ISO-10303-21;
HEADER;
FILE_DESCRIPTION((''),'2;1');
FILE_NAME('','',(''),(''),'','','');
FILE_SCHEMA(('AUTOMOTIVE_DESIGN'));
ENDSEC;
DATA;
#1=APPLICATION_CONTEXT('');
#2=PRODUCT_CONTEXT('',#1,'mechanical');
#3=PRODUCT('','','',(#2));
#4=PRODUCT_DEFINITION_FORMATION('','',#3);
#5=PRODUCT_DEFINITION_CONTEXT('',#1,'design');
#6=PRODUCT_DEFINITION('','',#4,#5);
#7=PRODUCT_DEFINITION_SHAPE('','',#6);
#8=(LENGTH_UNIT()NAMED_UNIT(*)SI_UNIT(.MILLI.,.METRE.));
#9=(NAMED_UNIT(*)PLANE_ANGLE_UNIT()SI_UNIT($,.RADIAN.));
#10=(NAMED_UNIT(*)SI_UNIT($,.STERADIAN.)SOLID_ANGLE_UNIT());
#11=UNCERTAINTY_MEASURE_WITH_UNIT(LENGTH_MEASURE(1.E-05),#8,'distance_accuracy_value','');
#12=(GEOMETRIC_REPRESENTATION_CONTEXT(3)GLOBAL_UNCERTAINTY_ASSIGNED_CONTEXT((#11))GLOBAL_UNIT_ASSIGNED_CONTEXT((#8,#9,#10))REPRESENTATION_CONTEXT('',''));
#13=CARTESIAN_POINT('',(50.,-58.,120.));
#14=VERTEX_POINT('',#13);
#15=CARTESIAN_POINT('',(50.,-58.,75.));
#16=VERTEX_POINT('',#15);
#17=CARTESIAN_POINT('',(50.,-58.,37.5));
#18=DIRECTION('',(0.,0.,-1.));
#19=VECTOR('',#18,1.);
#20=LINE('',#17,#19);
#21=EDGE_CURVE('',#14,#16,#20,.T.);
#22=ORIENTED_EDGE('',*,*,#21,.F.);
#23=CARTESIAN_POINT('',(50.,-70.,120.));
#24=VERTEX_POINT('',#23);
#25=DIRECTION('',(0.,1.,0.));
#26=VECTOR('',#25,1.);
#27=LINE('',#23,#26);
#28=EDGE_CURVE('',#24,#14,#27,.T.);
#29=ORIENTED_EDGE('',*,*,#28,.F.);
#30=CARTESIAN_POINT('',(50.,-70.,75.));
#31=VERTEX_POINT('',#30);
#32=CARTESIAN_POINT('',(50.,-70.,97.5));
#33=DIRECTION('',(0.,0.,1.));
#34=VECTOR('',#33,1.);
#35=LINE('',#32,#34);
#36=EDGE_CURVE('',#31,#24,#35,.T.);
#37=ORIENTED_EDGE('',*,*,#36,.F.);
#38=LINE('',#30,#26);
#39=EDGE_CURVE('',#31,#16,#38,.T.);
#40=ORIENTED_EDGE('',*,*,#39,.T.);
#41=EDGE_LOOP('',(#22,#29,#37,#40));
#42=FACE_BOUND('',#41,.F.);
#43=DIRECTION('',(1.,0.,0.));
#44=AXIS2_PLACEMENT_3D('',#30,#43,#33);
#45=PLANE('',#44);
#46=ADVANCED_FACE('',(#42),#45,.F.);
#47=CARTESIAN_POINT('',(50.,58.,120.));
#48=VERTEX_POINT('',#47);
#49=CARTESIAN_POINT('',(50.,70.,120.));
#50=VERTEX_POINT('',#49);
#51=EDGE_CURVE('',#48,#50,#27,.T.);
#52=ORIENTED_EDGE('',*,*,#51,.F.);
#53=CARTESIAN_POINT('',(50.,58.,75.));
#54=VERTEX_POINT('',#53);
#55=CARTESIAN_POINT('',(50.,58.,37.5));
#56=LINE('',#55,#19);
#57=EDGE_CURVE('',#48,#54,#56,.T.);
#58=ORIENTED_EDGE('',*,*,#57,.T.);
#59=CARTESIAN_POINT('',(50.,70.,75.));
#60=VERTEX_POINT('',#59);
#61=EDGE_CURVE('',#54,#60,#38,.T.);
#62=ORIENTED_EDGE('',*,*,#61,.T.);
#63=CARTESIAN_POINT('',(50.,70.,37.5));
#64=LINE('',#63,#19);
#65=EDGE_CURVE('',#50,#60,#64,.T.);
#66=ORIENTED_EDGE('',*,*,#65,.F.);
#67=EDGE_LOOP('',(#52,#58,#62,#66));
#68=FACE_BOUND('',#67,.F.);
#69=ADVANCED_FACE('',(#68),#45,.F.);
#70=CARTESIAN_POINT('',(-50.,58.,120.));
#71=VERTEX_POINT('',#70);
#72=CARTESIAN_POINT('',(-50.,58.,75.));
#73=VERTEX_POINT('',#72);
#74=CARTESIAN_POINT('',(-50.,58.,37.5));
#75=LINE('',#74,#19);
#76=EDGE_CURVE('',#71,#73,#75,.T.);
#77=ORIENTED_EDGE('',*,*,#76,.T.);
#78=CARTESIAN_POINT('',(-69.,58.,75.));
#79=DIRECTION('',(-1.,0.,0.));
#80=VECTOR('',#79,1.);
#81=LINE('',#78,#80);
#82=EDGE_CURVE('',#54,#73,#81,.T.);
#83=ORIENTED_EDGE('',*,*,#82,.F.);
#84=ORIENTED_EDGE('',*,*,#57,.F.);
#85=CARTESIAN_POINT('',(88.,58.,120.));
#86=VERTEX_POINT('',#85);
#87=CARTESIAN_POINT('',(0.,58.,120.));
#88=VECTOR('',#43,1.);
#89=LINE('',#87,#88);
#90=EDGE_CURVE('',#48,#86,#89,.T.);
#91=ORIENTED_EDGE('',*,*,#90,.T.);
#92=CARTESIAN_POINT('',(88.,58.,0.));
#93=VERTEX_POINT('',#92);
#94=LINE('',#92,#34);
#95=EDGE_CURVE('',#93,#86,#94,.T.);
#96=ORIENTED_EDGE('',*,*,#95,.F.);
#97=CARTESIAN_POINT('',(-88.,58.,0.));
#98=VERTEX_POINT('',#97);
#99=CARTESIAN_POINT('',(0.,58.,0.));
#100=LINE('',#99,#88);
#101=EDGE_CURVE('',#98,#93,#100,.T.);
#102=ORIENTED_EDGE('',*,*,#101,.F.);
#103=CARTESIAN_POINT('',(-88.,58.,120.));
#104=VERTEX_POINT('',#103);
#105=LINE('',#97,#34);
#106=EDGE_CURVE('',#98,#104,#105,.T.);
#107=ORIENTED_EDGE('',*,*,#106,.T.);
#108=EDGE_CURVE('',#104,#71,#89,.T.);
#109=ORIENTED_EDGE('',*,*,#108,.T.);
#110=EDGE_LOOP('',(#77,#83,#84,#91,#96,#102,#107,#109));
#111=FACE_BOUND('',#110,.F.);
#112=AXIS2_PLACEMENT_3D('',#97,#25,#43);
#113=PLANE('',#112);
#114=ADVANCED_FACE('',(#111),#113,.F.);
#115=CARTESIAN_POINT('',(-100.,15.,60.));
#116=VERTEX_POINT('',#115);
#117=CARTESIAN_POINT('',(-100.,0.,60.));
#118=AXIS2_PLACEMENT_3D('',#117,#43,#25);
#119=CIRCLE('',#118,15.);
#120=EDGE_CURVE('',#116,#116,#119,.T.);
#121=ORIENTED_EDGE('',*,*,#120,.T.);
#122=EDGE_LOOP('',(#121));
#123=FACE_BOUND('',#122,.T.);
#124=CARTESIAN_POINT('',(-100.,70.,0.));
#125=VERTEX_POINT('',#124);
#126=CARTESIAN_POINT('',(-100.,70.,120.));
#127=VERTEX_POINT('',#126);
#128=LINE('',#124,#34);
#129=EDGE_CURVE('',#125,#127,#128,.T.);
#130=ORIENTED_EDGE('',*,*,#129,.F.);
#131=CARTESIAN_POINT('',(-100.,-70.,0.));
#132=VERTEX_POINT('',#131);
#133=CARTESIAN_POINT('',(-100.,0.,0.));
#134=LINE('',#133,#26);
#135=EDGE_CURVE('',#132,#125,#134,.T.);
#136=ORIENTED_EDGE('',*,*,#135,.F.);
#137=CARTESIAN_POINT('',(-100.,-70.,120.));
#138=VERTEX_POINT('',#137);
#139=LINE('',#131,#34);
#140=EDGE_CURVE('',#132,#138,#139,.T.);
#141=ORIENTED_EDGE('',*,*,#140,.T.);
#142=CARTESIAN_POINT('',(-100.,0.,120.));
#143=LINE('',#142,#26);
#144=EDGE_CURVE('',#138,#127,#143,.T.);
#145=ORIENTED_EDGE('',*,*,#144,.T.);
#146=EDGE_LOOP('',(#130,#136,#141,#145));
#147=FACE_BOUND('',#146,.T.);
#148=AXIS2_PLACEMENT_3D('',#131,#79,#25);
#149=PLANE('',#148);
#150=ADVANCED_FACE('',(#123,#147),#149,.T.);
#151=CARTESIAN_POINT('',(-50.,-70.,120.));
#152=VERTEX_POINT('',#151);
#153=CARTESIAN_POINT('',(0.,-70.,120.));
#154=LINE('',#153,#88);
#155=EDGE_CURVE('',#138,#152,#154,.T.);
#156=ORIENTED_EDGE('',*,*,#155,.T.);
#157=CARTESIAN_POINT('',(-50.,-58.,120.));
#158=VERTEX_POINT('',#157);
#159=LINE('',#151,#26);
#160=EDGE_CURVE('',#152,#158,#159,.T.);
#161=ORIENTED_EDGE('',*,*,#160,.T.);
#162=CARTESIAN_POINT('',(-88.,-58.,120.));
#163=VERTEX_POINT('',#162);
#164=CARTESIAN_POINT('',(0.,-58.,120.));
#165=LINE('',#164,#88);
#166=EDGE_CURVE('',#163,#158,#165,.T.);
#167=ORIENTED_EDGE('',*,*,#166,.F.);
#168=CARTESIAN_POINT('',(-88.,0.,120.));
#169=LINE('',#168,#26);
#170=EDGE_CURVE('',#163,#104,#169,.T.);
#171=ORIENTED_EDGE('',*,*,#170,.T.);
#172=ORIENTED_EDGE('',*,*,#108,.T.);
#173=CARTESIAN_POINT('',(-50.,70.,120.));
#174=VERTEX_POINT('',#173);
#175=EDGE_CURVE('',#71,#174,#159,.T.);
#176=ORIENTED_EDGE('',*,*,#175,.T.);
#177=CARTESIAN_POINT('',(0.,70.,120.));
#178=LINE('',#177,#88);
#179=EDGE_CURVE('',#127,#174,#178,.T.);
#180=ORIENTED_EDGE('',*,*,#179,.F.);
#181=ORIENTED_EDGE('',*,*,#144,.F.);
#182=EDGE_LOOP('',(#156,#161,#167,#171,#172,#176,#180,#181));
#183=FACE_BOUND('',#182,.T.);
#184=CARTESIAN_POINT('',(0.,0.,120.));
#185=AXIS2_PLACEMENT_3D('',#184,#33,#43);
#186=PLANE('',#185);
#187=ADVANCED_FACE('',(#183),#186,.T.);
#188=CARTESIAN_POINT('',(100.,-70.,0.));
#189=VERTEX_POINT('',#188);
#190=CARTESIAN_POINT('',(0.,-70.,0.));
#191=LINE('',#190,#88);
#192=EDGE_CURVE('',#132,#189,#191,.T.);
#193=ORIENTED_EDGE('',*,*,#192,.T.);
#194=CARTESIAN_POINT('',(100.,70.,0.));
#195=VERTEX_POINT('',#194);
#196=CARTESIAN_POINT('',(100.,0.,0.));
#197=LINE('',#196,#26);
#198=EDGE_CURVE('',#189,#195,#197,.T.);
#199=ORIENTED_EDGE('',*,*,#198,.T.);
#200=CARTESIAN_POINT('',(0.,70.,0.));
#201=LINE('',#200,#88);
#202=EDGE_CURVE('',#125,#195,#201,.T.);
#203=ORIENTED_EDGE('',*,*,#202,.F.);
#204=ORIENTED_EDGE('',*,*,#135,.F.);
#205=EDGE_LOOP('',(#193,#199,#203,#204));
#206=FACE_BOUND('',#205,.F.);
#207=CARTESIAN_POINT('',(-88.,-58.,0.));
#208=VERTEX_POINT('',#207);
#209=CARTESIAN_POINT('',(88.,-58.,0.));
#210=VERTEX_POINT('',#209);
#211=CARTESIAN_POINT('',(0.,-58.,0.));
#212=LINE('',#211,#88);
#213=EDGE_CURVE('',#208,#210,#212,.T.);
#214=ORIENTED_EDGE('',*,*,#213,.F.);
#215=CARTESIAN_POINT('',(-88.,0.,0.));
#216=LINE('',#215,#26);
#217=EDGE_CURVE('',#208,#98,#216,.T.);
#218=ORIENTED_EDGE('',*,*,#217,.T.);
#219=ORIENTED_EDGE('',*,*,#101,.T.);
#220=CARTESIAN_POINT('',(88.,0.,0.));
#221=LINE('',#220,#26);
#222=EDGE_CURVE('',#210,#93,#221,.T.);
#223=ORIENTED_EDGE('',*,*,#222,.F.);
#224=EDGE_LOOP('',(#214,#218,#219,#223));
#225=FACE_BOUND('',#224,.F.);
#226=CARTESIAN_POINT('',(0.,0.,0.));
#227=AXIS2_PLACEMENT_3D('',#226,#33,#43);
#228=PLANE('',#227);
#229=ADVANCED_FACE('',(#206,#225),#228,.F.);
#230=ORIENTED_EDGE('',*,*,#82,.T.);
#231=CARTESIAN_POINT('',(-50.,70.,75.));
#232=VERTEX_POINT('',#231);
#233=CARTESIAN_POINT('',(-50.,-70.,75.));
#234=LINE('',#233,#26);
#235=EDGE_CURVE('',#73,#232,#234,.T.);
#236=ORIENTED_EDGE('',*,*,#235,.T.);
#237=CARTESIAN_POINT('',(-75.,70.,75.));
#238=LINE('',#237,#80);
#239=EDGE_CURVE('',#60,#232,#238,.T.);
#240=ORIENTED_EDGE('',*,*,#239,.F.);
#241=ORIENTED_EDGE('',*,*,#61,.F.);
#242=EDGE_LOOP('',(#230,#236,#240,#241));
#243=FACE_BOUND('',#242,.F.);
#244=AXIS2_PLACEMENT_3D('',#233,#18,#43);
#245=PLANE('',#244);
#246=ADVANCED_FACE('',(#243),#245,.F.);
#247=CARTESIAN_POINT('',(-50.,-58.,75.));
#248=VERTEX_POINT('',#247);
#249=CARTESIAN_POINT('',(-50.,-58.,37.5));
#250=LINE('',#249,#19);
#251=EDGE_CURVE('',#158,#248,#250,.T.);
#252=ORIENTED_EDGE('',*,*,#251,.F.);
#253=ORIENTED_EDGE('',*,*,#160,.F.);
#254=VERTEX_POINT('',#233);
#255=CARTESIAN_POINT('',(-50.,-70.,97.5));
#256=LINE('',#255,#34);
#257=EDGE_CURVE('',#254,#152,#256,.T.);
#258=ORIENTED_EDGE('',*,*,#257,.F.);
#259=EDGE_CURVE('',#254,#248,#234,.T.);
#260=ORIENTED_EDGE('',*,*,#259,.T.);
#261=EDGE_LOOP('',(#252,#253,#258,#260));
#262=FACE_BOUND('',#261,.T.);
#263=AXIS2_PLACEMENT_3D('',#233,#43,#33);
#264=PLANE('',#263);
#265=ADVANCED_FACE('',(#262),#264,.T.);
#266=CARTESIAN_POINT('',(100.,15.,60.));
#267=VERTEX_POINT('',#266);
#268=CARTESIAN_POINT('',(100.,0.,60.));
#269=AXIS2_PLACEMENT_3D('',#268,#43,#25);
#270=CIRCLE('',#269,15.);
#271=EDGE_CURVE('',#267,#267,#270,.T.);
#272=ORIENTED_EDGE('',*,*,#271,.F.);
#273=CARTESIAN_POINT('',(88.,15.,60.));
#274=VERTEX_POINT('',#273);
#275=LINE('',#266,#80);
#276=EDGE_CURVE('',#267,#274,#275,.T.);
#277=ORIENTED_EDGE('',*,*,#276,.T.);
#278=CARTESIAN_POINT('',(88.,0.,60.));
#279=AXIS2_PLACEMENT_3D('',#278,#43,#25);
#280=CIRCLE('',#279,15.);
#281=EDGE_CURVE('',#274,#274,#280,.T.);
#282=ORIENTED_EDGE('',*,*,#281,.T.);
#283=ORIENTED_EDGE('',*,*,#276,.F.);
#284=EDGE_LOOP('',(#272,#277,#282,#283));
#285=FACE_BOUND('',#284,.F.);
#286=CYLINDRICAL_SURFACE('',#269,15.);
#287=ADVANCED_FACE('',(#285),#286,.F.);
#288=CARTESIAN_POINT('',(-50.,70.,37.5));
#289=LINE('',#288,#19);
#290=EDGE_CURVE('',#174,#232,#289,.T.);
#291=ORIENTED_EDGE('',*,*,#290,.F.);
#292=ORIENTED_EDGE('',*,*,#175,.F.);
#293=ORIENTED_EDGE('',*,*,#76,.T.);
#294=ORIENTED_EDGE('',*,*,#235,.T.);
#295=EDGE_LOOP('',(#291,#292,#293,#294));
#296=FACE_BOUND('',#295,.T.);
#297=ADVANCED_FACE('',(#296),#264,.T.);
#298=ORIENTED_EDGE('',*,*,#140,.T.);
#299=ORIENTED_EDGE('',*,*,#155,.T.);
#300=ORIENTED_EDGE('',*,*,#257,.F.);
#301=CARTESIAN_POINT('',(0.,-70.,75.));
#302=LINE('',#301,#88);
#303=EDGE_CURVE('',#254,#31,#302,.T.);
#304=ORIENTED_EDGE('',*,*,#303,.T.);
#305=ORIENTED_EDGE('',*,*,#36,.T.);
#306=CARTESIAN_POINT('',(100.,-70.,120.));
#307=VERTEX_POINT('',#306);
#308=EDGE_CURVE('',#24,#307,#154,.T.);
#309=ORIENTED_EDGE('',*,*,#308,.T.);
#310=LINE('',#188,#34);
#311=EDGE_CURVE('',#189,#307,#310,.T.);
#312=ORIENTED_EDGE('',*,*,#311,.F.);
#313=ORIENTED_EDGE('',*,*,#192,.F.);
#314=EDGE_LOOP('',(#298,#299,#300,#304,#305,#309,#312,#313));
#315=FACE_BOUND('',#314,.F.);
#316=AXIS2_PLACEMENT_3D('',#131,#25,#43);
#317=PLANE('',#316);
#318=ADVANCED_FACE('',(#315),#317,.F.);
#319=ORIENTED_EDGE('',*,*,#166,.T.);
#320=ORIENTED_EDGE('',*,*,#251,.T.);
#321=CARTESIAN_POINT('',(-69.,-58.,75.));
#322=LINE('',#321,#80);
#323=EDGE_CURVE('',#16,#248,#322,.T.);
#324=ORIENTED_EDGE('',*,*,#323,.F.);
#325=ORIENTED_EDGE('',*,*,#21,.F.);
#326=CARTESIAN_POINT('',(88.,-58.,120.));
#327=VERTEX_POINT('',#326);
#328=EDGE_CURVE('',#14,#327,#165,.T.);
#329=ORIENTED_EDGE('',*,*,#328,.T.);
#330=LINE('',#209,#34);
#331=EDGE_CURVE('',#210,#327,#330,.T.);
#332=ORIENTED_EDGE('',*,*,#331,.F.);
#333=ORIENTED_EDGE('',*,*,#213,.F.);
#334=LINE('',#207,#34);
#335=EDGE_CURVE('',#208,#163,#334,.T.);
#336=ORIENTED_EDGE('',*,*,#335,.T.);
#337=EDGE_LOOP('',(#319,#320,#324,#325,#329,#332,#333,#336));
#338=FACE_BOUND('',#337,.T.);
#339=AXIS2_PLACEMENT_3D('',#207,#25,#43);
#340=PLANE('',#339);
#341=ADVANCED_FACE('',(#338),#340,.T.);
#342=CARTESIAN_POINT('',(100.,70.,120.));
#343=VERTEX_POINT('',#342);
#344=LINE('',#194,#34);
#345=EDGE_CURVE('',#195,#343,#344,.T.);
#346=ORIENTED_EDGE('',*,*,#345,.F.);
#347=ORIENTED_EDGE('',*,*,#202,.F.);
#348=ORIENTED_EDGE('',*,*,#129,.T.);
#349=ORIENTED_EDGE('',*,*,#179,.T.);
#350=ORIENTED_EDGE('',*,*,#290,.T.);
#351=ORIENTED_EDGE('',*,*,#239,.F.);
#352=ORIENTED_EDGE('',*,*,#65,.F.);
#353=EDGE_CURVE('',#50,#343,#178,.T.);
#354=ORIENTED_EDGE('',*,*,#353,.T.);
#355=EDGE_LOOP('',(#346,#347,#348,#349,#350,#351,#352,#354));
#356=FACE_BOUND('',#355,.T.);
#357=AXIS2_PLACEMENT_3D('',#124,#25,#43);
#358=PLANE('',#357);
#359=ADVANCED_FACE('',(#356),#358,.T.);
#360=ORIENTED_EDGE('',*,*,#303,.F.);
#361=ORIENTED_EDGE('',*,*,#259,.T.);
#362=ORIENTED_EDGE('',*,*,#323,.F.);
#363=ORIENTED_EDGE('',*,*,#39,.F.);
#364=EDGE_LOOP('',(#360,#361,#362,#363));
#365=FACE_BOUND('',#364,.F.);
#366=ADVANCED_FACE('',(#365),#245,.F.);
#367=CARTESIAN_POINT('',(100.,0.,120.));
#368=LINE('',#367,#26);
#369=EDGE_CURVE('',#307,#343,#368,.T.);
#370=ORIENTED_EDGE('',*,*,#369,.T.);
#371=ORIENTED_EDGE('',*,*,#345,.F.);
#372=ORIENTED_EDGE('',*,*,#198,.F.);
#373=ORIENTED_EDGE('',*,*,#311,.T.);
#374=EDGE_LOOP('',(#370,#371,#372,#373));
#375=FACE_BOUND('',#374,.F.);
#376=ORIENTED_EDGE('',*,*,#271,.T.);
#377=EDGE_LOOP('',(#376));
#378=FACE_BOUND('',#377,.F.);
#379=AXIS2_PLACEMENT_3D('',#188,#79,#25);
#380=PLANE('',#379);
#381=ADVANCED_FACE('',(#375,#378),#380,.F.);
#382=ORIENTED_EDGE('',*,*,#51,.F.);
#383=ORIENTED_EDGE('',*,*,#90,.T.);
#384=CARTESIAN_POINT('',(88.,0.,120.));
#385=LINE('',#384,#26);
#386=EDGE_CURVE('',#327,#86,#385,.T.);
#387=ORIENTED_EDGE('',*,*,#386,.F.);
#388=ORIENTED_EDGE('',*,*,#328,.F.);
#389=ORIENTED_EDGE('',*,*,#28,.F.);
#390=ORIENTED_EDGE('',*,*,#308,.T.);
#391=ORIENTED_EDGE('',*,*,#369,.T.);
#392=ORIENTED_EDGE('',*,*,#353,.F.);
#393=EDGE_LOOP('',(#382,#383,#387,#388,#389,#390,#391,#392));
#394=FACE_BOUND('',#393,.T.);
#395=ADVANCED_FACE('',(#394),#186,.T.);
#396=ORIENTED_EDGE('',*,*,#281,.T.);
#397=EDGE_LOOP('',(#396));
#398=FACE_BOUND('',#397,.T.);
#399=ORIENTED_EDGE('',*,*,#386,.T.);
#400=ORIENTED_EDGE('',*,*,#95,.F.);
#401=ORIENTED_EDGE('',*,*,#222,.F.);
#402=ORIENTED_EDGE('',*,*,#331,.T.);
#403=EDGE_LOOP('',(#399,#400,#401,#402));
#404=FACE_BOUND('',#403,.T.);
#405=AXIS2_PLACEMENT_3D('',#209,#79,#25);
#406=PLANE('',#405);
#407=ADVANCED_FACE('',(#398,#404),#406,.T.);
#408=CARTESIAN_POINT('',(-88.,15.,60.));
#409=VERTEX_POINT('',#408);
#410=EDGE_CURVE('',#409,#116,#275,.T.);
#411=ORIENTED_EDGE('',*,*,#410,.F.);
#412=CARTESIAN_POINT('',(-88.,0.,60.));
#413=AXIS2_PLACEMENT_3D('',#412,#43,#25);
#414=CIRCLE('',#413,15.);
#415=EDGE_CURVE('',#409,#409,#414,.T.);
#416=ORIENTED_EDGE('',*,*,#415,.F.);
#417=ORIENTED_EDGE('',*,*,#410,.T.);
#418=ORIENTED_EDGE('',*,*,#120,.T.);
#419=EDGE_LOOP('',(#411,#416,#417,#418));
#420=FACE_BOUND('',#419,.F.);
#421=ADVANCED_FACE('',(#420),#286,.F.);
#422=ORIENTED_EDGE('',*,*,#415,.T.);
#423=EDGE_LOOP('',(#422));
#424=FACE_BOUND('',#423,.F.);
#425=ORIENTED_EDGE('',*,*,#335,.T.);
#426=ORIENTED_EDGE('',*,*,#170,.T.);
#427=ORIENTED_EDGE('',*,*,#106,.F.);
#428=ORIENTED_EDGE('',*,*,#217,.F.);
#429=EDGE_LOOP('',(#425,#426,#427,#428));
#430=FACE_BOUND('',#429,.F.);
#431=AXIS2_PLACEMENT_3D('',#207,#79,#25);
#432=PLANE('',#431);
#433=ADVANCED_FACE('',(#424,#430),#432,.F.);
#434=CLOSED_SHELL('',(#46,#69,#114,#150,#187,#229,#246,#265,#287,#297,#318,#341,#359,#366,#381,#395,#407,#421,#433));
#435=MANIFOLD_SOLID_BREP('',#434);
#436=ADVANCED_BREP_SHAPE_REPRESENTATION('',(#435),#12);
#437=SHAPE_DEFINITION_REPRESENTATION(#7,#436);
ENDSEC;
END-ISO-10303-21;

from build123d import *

# Parameters (mm, degrees)
F0_W     = 200
F0_H     = 140
F0_W_2   = 176
F0_H_2   = 116
F1_DEPTH = 120
F2_R     = 15
F3_DEPTH = 200.001
F4_W     = 100
F4_H     = 45
F5_DEPTH = 140.001


with BuildPart() as f1:
    # F0 (on Top) → F1 (new body)
    with BuildSketch(Plane.XY):
        Rectangle(F0_W, F0_H)
        Rectangle(F0_W_2, F0_H_2, mode=Mode.SUBTRACT)
    extrude(amount=F1_DEPTH)

    # F2 (on face) → F3 (cut, through all)
    with BuildSketch(Plane.YZ.offset(100)):
        with Locations((0, 60)):
            Circle(F2_R)
    extrude(amount=-F3_DEPTH, mode=Mode.SUBTRACT)

    # F4 (on face) → F5 (cut, through all)
    with BuildSketch(Plane.XZ.offset(70)):
        with Locations((0, 97.5)):
            Rectangle(F4_W, F4_H)
    extrude(amount=-F5_DEPTH, mode=Mode.SUBTRACT)


solid = f1.part
